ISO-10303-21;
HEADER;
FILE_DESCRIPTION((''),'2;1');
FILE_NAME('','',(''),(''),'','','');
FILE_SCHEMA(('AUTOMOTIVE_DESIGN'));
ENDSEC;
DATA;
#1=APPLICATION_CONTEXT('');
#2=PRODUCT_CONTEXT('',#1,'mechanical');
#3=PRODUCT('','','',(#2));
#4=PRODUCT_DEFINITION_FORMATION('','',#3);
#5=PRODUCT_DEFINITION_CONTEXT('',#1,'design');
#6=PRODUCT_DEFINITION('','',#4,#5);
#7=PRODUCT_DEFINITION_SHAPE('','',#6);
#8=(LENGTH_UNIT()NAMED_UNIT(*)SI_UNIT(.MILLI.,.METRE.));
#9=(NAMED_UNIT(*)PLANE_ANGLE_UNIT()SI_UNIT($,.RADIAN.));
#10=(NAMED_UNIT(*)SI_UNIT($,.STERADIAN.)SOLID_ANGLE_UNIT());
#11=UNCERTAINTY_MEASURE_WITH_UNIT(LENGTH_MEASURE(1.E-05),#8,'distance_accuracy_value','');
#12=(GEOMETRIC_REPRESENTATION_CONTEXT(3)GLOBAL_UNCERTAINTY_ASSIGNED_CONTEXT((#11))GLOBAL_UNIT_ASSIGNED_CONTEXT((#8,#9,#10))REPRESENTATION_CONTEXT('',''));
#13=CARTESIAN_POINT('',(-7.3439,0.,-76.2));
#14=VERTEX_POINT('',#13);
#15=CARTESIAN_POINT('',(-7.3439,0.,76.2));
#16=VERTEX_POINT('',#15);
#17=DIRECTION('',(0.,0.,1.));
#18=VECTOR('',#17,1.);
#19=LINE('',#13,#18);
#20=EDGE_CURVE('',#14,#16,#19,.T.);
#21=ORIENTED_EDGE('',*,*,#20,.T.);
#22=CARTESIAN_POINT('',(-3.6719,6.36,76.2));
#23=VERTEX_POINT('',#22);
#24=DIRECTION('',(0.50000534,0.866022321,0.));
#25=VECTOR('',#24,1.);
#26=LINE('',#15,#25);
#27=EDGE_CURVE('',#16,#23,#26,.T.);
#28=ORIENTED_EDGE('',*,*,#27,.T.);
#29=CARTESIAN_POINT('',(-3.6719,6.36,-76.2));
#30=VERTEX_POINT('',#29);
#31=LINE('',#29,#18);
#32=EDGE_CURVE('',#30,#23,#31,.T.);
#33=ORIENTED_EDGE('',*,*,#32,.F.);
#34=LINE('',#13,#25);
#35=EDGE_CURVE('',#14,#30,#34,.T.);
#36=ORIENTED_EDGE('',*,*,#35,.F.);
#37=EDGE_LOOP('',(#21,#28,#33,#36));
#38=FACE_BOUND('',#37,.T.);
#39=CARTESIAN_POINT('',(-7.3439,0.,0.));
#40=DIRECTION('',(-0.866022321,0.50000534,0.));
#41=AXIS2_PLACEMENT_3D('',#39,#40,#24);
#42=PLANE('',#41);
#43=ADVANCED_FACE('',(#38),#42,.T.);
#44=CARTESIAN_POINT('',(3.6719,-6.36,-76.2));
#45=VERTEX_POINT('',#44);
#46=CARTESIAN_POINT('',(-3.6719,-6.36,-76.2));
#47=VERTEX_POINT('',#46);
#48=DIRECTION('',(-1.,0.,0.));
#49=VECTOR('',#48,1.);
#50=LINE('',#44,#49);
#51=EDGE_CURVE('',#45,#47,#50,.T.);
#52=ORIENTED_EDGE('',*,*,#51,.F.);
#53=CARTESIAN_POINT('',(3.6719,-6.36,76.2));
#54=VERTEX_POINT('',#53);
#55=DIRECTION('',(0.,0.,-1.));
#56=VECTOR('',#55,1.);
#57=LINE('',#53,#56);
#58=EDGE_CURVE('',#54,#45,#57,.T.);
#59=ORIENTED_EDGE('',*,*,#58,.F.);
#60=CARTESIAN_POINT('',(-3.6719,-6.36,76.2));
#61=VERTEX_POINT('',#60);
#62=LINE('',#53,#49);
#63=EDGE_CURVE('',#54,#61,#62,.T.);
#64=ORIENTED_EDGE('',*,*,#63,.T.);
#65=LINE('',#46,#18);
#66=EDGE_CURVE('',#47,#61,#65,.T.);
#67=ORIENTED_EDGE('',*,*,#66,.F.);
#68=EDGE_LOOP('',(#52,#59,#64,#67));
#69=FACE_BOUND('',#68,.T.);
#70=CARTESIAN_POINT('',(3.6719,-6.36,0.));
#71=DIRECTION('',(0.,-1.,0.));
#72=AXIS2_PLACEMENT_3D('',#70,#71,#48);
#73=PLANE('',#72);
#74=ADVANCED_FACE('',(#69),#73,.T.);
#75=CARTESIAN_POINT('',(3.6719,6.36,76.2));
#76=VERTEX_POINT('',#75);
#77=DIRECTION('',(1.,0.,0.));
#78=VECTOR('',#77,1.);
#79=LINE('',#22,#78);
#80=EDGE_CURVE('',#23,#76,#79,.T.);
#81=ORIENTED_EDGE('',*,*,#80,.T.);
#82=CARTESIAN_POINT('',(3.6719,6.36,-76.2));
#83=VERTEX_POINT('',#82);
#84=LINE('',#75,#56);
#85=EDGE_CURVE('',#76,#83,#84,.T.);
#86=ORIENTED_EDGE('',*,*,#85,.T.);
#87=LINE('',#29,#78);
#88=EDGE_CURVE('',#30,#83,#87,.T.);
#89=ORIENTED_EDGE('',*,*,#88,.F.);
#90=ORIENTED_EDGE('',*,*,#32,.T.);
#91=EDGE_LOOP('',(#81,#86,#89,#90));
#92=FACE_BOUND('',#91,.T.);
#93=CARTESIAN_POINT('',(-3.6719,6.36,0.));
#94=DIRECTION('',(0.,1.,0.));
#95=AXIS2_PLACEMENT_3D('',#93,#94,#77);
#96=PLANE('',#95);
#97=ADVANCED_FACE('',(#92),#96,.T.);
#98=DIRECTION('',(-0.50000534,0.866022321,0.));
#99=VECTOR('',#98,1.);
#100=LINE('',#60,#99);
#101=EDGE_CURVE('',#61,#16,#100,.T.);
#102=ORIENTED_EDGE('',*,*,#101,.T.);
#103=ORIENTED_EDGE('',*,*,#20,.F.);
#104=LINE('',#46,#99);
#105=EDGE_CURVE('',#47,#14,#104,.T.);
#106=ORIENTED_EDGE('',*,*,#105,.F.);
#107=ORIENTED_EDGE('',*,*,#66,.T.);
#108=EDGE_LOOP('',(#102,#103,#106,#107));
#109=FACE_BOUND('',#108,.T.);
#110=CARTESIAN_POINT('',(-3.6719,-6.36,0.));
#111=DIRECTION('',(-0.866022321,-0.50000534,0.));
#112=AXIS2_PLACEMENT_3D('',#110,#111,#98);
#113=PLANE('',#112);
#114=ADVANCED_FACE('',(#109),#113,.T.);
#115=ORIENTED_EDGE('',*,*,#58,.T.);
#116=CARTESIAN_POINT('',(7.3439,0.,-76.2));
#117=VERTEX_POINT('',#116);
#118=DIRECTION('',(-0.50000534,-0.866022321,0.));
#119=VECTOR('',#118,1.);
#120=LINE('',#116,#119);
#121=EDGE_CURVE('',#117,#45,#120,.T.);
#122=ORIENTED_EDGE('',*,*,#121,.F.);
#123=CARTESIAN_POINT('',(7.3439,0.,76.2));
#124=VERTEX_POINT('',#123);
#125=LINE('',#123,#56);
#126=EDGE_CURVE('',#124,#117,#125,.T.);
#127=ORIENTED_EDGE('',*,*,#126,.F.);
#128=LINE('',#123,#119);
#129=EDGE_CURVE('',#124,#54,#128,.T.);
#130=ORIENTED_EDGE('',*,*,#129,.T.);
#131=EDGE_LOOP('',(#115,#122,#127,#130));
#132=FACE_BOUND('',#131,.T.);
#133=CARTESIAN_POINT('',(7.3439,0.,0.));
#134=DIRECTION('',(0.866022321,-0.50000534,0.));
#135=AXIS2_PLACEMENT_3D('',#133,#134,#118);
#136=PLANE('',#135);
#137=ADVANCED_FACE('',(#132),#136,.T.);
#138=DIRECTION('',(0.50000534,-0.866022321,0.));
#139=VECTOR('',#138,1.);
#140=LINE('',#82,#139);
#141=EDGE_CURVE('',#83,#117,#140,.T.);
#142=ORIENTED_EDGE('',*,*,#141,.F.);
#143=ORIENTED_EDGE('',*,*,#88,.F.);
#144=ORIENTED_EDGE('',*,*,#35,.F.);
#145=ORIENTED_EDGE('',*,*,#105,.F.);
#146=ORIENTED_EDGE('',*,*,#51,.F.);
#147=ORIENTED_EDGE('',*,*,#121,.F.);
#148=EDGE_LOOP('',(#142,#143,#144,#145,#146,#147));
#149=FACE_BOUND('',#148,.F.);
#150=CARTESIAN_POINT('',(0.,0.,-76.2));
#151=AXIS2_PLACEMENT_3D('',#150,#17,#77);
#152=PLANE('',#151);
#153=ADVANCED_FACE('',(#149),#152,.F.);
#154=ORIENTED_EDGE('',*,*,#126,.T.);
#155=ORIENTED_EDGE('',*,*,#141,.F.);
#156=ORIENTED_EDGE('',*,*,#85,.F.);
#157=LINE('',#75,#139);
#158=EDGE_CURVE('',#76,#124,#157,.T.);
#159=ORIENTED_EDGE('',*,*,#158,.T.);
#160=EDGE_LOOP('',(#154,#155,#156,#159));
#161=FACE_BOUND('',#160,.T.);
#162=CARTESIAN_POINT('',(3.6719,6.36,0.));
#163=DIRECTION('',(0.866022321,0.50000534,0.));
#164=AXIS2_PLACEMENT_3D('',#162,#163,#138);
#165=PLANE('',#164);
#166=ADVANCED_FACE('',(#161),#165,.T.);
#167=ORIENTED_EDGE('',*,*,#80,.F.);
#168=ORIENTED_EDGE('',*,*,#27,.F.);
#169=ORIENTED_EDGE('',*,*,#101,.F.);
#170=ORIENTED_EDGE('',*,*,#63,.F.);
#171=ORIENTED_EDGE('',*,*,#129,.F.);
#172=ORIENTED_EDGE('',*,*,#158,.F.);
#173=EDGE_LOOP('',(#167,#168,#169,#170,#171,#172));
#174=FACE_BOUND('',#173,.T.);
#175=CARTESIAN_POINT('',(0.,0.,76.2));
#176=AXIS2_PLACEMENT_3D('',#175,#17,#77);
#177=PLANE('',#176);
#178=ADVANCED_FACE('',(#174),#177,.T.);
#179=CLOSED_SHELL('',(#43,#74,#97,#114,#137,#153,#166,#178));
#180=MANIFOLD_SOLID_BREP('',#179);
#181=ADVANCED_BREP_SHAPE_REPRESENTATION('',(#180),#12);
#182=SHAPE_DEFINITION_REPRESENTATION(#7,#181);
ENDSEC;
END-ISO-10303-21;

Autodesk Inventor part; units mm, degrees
ref_plane "YZ Plane" through (0, 0, 0) normal (1, 0, 0) x (0, 1, 0)
ref_plane "XZ Plane" through (0, 0, 0) normal (0, 1, 0) x (-1, 0, 0)
ref_plane "XY Plane" through (0, 0, 0) normal (0, 0, 1) x (1, 0, 0)
sketch "Sketch1" plane through (0, 0, 0) normal (0, 0, 1) x (1, 0, 0)
  line L0 (-3.6719, 6.36) -> (3.6719, 6.36)
  line L1 (3.6719, 6.36) -> (7.3439, 0)
  line L2 (7.3439, 0) -> (3.6719, -6.36)
  line L3 (3.6719, -6.36) -> (-3.6719, -6.36)
  line L4 (-3.6719, -6.36) -> (-7.3439, 0)
  line L5 (-7.3439, 0) -> (-3.6719, 6.36)
  point P0 (0, 0)
  point P1 (0, 0)
  dimension "d1" = 7.3439
extrude "Extrusion1" add sketch "Sketch1" along normal mid plane 152.4
properties part number "pulley_shaft1"
